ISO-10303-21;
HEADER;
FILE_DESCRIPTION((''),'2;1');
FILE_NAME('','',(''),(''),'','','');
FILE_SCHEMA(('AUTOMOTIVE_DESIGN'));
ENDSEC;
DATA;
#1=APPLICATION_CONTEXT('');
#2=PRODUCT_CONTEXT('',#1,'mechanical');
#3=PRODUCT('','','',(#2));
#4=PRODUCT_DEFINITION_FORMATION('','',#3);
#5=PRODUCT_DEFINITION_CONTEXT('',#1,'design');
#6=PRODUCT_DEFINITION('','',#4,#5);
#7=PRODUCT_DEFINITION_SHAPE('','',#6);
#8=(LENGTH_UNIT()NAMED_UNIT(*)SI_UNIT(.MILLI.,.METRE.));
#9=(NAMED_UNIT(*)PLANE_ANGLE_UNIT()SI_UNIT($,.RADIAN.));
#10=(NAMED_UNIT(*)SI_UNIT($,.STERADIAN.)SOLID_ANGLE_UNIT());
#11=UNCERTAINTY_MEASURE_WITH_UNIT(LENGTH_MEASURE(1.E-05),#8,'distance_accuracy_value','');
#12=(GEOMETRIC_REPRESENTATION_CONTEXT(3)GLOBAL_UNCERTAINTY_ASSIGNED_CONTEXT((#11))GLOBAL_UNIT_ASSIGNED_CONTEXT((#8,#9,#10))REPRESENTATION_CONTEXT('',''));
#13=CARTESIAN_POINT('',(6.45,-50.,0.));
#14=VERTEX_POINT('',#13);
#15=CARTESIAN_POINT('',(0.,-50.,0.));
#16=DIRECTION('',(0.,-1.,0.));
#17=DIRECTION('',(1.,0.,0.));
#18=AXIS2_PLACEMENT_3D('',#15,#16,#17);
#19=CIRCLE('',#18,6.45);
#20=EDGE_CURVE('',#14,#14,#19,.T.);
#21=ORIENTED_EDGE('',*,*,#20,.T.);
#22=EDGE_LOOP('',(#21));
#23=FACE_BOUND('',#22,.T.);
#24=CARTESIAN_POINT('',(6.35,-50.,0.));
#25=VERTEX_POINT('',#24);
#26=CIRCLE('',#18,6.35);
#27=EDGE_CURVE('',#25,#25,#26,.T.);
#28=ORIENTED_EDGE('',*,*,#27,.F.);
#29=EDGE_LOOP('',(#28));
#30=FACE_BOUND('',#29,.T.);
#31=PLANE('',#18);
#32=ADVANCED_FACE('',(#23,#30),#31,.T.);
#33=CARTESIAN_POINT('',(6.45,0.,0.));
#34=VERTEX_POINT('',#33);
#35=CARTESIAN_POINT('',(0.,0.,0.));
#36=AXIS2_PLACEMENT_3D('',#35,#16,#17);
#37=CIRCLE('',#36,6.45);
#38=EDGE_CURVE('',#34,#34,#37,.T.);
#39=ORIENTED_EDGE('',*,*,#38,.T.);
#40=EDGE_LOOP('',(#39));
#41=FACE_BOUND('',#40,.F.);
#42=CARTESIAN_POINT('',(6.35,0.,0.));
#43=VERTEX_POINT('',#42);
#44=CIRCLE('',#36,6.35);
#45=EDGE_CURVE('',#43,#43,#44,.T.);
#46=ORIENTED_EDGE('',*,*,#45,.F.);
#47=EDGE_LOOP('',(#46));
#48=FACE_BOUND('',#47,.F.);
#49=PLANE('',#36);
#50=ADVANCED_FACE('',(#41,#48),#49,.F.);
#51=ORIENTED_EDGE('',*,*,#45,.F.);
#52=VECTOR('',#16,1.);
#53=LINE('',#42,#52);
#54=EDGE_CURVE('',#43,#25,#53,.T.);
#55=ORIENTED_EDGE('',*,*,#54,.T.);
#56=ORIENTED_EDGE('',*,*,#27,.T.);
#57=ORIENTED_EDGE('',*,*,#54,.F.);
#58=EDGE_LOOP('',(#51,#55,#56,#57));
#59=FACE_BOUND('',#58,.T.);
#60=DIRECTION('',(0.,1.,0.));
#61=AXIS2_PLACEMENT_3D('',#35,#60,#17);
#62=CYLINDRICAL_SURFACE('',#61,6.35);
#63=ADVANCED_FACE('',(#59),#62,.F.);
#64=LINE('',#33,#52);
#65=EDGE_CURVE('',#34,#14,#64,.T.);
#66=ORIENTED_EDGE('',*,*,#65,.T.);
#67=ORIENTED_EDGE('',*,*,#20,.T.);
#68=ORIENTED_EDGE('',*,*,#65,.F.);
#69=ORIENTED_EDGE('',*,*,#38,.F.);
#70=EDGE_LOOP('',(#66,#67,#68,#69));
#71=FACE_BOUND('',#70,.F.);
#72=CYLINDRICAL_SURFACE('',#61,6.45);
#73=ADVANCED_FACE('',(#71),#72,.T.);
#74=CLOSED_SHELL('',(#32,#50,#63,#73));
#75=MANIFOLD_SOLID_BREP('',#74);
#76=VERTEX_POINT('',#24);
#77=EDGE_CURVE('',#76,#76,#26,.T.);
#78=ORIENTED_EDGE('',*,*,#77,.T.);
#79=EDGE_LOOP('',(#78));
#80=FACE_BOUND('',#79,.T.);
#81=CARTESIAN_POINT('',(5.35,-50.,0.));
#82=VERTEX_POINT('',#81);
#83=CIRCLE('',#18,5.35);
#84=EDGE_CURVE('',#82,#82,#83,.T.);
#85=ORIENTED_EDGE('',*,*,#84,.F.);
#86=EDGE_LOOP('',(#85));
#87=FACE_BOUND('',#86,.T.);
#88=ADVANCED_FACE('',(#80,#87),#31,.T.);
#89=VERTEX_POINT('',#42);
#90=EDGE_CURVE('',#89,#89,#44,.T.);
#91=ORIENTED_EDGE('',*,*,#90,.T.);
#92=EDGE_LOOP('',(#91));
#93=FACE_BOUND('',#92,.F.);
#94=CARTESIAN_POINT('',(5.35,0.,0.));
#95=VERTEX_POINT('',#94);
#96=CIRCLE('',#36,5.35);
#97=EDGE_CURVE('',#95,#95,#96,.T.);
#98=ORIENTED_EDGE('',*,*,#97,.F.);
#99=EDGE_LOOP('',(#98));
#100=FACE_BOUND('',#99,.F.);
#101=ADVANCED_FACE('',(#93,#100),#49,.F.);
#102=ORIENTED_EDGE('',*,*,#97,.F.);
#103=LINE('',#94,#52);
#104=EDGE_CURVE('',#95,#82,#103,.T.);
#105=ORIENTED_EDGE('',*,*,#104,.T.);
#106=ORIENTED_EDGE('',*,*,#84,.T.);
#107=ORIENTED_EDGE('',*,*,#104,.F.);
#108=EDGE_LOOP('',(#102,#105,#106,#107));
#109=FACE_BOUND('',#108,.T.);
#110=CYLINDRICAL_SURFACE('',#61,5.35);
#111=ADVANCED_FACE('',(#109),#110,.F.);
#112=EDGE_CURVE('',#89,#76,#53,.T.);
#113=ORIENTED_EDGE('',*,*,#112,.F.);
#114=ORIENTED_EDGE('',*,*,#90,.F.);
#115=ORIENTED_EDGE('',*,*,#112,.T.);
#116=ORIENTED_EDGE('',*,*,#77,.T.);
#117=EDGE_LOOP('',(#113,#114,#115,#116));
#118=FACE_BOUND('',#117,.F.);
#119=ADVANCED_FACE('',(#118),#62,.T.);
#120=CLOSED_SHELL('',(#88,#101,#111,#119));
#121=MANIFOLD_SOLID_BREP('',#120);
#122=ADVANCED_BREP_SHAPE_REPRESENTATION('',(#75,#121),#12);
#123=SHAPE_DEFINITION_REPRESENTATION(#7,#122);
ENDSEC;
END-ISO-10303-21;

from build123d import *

# Parameters (mm, degrees)
F0_R     = 6.35
F0_R_2   = 5.35
F1_DEPTH = 50
F2_R     = 6.45
F2_R_2   = 6.35
F3_DEPTH = 50


with BuildPart() as f1:
    # F0 (on Front) → F1 (new body)
    with BuildSketch(Plane.XZ):
        Circle(F0_R)
        Circle(F0_R_2, mode=Mode.SUBTRACT)
    extrude(amount=F1_DEPTH)


with BuildPart() as f3:
    # F2 (on Front) → F3 (new body, through all)
    with BuildSketch(Plane.XZ):
        Circle(F2_R)
        Circle(F2_R_2, mode=Mode.SUBTRACT)
    extrude(amount=F3_DEPTH)


solid = Compound([f1.part, f3.part])
